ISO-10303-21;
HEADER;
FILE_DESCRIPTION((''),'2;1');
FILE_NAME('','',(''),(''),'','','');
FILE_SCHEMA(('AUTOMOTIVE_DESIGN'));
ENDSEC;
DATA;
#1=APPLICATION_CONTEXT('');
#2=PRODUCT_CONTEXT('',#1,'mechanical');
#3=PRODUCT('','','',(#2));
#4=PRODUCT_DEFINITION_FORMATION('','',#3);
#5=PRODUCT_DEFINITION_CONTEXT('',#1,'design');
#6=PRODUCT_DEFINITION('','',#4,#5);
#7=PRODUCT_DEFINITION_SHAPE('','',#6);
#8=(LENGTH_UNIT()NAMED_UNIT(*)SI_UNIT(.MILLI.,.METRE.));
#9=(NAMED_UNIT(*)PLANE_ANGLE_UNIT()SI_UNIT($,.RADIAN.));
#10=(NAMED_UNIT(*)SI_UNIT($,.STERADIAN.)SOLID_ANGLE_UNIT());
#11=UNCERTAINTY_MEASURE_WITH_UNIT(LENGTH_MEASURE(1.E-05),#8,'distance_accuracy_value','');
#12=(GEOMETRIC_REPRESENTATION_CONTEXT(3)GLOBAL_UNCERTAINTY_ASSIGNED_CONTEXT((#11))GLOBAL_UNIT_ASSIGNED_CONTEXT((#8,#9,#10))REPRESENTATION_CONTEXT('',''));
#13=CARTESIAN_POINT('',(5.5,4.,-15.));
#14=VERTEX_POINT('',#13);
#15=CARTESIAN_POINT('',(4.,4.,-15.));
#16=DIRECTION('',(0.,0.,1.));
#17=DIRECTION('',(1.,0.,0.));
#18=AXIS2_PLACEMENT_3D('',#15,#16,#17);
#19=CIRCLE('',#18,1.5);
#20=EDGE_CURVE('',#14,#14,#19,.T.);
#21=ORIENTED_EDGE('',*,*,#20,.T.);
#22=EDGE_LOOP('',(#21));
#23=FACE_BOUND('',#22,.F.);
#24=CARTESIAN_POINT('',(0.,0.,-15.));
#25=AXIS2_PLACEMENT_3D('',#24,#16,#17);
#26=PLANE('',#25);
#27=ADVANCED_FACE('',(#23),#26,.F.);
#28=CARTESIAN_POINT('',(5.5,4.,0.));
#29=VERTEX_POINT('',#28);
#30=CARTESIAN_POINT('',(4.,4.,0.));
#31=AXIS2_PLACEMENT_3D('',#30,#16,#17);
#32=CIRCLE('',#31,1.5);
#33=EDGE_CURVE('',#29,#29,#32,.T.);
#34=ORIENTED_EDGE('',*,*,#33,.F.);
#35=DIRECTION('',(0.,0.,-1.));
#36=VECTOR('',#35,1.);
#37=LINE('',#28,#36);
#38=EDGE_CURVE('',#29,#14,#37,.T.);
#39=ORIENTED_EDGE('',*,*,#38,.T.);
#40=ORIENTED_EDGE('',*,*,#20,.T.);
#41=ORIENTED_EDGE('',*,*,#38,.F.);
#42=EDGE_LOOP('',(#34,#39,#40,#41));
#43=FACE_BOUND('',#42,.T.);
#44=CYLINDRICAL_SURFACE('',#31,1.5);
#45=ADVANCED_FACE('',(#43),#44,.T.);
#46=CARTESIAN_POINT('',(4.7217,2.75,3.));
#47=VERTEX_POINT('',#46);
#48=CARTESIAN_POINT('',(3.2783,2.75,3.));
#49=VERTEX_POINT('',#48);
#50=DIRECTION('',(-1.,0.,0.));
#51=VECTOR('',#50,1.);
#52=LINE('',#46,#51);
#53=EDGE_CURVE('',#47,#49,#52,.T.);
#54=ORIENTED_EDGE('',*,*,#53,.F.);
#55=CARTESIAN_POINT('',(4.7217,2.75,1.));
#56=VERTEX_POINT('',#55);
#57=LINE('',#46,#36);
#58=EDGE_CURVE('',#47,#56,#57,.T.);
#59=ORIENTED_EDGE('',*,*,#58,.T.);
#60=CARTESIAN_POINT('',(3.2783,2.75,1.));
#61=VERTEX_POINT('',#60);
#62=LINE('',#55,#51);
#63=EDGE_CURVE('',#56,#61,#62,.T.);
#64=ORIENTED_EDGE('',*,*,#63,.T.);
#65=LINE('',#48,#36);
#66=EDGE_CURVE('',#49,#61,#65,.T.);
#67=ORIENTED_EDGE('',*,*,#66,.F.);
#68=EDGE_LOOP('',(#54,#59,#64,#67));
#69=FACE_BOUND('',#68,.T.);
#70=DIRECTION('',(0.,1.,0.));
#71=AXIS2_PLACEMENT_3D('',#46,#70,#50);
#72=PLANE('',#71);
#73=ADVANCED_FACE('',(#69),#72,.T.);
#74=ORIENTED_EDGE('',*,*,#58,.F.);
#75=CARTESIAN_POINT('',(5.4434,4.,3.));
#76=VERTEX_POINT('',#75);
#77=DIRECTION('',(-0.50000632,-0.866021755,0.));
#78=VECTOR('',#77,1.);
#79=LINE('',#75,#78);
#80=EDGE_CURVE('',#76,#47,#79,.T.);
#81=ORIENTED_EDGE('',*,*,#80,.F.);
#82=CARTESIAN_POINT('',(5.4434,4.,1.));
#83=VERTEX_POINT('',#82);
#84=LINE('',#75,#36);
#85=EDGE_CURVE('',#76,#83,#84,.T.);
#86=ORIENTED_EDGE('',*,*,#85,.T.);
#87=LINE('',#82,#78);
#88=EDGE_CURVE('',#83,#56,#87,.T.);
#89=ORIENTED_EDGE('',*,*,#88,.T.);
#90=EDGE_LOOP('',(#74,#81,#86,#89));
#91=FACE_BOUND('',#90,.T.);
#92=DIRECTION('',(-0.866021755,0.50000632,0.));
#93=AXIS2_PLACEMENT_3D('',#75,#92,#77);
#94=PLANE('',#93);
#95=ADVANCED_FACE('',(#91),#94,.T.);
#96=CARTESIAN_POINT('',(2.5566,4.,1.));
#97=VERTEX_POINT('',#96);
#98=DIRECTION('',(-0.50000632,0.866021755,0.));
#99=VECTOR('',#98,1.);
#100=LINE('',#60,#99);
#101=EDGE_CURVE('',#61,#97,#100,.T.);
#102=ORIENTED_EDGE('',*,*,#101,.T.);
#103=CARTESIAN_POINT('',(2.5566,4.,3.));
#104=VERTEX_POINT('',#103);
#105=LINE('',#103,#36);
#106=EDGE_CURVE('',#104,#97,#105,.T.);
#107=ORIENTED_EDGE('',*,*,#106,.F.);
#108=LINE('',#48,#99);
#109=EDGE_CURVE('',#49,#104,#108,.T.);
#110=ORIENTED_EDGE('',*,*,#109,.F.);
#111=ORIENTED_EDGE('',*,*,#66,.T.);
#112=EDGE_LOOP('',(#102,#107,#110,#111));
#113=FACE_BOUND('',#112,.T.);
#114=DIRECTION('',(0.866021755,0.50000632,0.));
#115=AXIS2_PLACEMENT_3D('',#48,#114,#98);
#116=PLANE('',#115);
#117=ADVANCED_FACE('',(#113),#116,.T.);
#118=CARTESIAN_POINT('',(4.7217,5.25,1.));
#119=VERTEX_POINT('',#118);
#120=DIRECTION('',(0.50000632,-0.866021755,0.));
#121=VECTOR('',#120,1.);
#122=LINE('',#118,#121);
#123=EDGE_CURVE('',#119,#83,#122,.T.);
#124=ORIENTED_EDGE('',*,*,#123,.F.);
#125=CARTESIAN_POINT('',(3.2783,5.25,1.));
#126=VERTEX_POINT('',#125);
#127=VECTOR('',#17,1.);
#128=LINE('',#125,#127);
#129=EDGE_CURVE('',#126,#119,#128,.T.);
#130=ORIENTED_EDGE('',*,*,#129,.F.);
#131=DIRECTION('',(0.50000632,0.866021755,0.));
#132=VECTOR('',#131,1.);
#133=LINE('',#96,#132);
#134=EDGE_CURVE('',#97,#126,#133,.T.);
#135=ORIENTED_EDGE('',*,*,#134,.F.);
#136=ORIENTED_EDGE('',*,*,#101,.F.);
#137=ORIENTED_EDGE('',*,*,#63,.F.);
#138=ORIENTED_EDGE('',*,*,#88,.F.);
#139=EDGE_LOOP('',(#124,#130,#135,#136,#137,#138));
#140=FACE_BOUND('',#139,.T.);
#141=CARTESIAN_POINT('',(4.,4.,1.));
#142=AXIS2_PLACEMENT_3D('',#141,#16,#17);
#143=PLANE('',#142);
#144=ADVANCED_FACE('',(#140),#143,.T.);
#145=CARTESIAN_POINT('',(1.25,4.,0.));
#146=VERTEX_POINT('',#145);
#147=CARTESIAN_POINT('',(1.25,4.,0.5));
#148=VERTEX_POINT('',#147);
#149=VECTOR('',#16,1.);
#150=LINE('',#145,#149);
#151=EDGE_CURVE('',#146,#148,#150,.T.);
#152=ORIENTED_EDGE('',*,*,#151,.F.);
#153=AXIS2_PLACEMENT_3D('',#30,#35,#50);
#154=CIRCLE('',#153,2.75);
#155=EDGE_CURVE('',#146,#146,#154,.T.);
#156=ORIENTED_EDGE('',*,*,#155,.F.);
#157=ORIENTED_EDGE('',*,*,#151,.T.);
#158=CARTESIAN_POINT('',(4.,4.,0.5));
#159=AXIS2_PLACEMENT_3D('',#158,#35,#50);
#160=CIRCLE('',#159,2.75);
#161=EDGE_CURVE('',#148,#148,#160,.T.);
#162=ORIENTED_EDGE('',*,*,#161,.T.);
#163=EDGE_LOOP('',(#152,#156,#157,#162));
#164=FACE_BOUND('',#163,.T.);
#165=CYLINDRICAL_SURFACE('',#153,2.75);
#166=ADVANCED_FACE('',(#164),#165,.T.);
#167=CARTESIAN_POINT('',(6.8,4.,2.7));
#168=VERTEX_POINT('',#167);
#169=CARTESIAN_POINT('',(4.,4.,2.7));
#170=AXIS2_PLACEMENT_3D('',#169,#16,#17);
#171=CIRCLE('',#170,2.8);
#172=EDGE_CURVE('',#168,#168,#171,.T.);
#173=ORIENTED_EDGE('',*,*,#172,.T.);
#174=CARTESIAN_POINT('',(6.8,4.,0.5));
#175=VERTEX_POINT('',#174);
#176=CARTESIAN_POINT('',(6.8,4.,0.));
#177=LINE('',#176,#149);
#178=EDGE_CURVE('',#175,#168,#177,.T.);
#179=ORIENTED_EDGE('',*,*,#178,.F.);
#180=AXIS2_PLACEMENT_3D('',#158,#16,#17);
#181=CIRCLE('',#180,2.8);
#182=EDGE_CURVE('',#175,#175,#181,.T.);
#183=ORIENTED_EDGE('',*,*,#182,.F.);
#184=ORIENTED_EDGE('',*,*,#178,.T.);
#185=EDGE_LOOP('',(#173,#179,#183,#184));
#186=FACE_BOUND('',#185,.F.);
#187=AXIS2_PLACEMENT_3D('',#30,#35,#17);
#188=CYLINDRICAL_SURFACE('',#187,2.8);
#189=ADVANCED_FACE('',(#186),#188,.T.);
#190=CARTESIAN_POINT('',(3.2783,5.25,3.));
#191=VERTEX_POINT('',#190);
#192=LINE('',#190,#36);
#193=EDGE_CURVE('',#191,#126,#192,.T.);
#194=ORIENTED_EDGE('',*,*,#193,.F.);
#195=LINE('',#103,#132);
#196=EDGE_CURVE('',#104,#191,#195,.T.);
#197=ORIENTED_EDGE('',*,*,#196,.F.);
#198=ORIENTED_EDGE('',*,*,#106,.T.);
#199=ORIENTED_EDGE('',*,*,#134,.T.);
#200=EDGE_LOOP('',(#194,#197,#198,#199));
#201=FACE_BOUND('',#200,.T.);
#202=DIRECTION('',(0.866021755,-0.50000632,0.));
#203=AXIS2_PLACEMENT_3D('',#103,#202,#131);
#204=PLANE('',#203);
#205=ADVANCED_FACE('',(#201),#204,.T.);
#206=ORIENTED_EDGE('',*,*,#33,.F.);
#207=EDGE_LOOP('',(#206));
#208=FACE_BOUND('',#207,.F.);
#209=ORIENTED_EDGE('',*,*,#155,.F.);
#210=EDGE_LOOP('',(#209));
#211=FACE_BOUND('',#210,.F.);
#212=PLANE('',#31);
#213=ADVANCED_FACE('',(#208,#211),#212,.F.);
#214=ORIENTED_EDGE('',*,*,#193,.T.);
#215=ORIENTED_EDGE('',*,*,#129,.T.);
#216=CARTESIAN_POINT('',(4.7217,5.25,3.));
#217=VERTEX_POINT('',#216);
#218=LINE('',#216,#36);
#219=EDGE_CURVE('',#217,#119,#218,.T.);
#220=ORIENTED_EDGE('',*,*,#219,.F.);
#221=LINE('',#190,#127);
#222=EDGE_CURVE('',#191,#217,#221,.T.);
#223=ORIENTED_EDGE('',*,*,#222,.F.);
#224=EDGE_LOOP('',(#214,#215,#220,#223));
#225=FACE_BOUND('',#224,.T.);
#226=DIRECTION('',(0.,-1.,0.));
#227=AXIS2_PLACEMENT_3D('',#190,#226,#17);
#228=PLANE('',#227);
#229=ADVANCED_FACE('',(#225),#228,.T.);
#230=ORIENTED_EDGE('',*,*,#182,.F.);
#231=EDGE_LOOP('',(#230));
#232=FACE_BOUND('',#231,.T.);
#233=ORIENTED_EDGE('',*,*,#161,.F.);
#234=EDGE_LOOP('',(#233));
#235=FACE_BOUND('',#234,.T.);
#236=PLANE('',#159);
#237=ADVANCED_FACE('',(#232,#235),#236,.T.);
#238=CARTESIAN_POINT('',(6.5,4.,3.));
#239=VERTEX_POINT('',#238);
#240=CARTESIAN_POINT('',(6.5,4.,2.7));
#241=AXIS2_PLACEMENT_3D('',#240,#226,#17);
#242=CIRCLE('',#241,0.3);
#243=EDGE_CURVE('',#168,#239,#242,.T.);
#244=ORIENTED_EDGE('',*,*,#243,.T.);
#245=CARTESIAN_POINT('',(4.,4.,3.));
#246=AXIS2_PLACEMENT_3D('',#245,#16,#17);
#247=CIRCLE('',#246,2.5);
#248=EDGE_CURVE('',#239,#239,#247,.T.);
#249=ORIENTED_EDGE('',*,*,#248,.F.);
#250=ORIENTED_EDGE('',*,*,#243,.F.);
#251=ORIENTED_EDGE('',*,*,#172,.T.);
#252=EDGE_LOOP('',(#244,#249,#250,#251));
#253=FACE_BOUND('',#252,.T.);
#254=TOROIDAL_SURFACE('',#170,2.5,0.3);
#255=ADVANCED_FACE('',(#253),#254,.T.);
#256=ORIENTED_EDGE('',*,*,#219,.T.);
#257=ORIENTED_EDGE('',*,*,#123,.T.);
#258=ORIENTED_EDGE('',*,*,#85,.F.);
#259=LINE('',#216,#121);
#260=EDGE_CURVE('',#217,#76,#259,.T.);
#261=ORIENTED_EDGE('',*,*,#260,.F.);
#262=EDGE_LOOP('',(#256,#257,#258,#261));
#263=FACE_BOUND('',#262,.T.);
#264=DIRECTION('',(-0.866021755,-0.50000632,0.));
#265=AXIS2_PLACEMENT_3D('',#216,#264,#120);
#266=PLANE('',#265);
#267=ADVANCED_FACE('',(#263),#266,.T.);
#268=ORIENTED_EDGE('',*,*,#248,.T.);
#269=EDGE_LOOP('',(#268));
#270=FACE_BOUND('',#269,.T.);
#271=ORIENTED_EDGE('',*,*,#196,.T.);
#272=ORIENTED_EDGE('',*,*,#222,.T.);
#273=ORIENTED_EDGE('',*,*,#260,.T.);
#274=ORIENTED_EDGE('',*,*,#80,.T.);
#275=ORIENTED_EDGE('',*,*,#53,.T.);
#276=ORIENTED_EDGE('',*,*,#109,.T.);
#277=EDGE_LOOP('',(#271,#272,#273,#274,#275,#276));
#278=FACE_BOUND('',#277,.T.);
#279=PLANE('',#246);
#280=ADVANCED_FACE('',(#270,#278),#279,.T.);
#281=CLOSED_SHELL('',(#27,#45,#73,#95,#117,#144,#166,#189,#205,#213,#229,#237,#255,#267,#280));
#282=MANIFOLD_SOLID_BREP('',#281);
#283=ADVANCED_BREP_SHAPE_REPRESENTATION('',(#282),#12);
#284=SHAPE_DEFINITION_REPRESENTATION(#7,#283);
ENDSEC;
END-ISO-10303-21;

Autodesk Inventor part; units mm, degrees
ref_plane "YZ Plane" through (0, 0, 0) normal (1, 0, 0) x (0, 1, 0)
ref_plane "XZ Plane" through (0, 0, 0) normal (0, 1, 0) x (-1, 0, 0)
ref_plane "XY Plane" through (0, 0, 0) normal (0, 0, 1) x (1, 0, 0)
sketch "Sketch1" plane through (0, 0, 0) normal (0, 0, 1) x (1, 0, 0)
  circle A0 centre (4, 4) radius 1.2 projected
  circle A1 centre (4, 4) radius 1.5
  point P0 (0, 0)
  dimension "d0" = 3
extrude "Extrusion1" add sketch "Sketch1" against normal blind 15 contours A0 | A1
sketch "Sketch2" plane through (4, 4, 0) normal (0, 0, 1) x (1, 0, 0)
  circle A0 centre (0, 0) radius 1.5 projected
  circle A1 centre (0, 0) radius 2.8
  point P0 (-4, -4)
  dimension "d3" = 5.6
extrude "Extrusion2" add sketch "Sketch2" along normal blind 3 contours A0 | A1
fillet "Fillet1" radius 0.3 1 edges at (1.2, 4, 3)
sketch "Sketch3" plane through (4, 4, 0) normal (0, 0, -1) x (-1, 0, 0)
  circle A0 centre (0, 0) radius 2.8 projected
  circle A1 centre (0, 0) radius 1.5 projected
  circle A2 centre (0, 0) radius 2.75
  point P0 (4, -4)
  dimension "d7" = 5.5
extrude "Extrusion3" cut sketch "Sketch3" against normal blind 0.5 contours A0
sketch "Sketch4" plane through (4, 4, 3) normal (0, 0, 1) x (1, 0, 0)
  circle A0 centre (0, 0) radius 2.5 projected
  line L0 (0.7217, 1.25) -> (1.4434, 0)
  line L1 (1.4434, 0) -> (0.7217, -1.25)
  line L2 (0.7217, -1.25) -> (-0.7217, -1.25)
  line L3 (-0.7217, -1.25) -> (-1.4434, 0)
  line L4 (-1.4434, 0) -> (-0.7217, 1.25)
  line L5 (-0.7217, 1.25) -> (0.7217, 1.25)
  point P0 (-4, -4)
  dimension "d10" = 2.5
extrude "Extrusion4" cut sketch "Sketch4" against normal blind 2 contours L0 L1 L2 L3 L4 L5
thread "Thread1" size "M3x0.5" class "6g" standard "ANSI Metric M Profile" full length
properties part number "m3 6" material "Steel"
